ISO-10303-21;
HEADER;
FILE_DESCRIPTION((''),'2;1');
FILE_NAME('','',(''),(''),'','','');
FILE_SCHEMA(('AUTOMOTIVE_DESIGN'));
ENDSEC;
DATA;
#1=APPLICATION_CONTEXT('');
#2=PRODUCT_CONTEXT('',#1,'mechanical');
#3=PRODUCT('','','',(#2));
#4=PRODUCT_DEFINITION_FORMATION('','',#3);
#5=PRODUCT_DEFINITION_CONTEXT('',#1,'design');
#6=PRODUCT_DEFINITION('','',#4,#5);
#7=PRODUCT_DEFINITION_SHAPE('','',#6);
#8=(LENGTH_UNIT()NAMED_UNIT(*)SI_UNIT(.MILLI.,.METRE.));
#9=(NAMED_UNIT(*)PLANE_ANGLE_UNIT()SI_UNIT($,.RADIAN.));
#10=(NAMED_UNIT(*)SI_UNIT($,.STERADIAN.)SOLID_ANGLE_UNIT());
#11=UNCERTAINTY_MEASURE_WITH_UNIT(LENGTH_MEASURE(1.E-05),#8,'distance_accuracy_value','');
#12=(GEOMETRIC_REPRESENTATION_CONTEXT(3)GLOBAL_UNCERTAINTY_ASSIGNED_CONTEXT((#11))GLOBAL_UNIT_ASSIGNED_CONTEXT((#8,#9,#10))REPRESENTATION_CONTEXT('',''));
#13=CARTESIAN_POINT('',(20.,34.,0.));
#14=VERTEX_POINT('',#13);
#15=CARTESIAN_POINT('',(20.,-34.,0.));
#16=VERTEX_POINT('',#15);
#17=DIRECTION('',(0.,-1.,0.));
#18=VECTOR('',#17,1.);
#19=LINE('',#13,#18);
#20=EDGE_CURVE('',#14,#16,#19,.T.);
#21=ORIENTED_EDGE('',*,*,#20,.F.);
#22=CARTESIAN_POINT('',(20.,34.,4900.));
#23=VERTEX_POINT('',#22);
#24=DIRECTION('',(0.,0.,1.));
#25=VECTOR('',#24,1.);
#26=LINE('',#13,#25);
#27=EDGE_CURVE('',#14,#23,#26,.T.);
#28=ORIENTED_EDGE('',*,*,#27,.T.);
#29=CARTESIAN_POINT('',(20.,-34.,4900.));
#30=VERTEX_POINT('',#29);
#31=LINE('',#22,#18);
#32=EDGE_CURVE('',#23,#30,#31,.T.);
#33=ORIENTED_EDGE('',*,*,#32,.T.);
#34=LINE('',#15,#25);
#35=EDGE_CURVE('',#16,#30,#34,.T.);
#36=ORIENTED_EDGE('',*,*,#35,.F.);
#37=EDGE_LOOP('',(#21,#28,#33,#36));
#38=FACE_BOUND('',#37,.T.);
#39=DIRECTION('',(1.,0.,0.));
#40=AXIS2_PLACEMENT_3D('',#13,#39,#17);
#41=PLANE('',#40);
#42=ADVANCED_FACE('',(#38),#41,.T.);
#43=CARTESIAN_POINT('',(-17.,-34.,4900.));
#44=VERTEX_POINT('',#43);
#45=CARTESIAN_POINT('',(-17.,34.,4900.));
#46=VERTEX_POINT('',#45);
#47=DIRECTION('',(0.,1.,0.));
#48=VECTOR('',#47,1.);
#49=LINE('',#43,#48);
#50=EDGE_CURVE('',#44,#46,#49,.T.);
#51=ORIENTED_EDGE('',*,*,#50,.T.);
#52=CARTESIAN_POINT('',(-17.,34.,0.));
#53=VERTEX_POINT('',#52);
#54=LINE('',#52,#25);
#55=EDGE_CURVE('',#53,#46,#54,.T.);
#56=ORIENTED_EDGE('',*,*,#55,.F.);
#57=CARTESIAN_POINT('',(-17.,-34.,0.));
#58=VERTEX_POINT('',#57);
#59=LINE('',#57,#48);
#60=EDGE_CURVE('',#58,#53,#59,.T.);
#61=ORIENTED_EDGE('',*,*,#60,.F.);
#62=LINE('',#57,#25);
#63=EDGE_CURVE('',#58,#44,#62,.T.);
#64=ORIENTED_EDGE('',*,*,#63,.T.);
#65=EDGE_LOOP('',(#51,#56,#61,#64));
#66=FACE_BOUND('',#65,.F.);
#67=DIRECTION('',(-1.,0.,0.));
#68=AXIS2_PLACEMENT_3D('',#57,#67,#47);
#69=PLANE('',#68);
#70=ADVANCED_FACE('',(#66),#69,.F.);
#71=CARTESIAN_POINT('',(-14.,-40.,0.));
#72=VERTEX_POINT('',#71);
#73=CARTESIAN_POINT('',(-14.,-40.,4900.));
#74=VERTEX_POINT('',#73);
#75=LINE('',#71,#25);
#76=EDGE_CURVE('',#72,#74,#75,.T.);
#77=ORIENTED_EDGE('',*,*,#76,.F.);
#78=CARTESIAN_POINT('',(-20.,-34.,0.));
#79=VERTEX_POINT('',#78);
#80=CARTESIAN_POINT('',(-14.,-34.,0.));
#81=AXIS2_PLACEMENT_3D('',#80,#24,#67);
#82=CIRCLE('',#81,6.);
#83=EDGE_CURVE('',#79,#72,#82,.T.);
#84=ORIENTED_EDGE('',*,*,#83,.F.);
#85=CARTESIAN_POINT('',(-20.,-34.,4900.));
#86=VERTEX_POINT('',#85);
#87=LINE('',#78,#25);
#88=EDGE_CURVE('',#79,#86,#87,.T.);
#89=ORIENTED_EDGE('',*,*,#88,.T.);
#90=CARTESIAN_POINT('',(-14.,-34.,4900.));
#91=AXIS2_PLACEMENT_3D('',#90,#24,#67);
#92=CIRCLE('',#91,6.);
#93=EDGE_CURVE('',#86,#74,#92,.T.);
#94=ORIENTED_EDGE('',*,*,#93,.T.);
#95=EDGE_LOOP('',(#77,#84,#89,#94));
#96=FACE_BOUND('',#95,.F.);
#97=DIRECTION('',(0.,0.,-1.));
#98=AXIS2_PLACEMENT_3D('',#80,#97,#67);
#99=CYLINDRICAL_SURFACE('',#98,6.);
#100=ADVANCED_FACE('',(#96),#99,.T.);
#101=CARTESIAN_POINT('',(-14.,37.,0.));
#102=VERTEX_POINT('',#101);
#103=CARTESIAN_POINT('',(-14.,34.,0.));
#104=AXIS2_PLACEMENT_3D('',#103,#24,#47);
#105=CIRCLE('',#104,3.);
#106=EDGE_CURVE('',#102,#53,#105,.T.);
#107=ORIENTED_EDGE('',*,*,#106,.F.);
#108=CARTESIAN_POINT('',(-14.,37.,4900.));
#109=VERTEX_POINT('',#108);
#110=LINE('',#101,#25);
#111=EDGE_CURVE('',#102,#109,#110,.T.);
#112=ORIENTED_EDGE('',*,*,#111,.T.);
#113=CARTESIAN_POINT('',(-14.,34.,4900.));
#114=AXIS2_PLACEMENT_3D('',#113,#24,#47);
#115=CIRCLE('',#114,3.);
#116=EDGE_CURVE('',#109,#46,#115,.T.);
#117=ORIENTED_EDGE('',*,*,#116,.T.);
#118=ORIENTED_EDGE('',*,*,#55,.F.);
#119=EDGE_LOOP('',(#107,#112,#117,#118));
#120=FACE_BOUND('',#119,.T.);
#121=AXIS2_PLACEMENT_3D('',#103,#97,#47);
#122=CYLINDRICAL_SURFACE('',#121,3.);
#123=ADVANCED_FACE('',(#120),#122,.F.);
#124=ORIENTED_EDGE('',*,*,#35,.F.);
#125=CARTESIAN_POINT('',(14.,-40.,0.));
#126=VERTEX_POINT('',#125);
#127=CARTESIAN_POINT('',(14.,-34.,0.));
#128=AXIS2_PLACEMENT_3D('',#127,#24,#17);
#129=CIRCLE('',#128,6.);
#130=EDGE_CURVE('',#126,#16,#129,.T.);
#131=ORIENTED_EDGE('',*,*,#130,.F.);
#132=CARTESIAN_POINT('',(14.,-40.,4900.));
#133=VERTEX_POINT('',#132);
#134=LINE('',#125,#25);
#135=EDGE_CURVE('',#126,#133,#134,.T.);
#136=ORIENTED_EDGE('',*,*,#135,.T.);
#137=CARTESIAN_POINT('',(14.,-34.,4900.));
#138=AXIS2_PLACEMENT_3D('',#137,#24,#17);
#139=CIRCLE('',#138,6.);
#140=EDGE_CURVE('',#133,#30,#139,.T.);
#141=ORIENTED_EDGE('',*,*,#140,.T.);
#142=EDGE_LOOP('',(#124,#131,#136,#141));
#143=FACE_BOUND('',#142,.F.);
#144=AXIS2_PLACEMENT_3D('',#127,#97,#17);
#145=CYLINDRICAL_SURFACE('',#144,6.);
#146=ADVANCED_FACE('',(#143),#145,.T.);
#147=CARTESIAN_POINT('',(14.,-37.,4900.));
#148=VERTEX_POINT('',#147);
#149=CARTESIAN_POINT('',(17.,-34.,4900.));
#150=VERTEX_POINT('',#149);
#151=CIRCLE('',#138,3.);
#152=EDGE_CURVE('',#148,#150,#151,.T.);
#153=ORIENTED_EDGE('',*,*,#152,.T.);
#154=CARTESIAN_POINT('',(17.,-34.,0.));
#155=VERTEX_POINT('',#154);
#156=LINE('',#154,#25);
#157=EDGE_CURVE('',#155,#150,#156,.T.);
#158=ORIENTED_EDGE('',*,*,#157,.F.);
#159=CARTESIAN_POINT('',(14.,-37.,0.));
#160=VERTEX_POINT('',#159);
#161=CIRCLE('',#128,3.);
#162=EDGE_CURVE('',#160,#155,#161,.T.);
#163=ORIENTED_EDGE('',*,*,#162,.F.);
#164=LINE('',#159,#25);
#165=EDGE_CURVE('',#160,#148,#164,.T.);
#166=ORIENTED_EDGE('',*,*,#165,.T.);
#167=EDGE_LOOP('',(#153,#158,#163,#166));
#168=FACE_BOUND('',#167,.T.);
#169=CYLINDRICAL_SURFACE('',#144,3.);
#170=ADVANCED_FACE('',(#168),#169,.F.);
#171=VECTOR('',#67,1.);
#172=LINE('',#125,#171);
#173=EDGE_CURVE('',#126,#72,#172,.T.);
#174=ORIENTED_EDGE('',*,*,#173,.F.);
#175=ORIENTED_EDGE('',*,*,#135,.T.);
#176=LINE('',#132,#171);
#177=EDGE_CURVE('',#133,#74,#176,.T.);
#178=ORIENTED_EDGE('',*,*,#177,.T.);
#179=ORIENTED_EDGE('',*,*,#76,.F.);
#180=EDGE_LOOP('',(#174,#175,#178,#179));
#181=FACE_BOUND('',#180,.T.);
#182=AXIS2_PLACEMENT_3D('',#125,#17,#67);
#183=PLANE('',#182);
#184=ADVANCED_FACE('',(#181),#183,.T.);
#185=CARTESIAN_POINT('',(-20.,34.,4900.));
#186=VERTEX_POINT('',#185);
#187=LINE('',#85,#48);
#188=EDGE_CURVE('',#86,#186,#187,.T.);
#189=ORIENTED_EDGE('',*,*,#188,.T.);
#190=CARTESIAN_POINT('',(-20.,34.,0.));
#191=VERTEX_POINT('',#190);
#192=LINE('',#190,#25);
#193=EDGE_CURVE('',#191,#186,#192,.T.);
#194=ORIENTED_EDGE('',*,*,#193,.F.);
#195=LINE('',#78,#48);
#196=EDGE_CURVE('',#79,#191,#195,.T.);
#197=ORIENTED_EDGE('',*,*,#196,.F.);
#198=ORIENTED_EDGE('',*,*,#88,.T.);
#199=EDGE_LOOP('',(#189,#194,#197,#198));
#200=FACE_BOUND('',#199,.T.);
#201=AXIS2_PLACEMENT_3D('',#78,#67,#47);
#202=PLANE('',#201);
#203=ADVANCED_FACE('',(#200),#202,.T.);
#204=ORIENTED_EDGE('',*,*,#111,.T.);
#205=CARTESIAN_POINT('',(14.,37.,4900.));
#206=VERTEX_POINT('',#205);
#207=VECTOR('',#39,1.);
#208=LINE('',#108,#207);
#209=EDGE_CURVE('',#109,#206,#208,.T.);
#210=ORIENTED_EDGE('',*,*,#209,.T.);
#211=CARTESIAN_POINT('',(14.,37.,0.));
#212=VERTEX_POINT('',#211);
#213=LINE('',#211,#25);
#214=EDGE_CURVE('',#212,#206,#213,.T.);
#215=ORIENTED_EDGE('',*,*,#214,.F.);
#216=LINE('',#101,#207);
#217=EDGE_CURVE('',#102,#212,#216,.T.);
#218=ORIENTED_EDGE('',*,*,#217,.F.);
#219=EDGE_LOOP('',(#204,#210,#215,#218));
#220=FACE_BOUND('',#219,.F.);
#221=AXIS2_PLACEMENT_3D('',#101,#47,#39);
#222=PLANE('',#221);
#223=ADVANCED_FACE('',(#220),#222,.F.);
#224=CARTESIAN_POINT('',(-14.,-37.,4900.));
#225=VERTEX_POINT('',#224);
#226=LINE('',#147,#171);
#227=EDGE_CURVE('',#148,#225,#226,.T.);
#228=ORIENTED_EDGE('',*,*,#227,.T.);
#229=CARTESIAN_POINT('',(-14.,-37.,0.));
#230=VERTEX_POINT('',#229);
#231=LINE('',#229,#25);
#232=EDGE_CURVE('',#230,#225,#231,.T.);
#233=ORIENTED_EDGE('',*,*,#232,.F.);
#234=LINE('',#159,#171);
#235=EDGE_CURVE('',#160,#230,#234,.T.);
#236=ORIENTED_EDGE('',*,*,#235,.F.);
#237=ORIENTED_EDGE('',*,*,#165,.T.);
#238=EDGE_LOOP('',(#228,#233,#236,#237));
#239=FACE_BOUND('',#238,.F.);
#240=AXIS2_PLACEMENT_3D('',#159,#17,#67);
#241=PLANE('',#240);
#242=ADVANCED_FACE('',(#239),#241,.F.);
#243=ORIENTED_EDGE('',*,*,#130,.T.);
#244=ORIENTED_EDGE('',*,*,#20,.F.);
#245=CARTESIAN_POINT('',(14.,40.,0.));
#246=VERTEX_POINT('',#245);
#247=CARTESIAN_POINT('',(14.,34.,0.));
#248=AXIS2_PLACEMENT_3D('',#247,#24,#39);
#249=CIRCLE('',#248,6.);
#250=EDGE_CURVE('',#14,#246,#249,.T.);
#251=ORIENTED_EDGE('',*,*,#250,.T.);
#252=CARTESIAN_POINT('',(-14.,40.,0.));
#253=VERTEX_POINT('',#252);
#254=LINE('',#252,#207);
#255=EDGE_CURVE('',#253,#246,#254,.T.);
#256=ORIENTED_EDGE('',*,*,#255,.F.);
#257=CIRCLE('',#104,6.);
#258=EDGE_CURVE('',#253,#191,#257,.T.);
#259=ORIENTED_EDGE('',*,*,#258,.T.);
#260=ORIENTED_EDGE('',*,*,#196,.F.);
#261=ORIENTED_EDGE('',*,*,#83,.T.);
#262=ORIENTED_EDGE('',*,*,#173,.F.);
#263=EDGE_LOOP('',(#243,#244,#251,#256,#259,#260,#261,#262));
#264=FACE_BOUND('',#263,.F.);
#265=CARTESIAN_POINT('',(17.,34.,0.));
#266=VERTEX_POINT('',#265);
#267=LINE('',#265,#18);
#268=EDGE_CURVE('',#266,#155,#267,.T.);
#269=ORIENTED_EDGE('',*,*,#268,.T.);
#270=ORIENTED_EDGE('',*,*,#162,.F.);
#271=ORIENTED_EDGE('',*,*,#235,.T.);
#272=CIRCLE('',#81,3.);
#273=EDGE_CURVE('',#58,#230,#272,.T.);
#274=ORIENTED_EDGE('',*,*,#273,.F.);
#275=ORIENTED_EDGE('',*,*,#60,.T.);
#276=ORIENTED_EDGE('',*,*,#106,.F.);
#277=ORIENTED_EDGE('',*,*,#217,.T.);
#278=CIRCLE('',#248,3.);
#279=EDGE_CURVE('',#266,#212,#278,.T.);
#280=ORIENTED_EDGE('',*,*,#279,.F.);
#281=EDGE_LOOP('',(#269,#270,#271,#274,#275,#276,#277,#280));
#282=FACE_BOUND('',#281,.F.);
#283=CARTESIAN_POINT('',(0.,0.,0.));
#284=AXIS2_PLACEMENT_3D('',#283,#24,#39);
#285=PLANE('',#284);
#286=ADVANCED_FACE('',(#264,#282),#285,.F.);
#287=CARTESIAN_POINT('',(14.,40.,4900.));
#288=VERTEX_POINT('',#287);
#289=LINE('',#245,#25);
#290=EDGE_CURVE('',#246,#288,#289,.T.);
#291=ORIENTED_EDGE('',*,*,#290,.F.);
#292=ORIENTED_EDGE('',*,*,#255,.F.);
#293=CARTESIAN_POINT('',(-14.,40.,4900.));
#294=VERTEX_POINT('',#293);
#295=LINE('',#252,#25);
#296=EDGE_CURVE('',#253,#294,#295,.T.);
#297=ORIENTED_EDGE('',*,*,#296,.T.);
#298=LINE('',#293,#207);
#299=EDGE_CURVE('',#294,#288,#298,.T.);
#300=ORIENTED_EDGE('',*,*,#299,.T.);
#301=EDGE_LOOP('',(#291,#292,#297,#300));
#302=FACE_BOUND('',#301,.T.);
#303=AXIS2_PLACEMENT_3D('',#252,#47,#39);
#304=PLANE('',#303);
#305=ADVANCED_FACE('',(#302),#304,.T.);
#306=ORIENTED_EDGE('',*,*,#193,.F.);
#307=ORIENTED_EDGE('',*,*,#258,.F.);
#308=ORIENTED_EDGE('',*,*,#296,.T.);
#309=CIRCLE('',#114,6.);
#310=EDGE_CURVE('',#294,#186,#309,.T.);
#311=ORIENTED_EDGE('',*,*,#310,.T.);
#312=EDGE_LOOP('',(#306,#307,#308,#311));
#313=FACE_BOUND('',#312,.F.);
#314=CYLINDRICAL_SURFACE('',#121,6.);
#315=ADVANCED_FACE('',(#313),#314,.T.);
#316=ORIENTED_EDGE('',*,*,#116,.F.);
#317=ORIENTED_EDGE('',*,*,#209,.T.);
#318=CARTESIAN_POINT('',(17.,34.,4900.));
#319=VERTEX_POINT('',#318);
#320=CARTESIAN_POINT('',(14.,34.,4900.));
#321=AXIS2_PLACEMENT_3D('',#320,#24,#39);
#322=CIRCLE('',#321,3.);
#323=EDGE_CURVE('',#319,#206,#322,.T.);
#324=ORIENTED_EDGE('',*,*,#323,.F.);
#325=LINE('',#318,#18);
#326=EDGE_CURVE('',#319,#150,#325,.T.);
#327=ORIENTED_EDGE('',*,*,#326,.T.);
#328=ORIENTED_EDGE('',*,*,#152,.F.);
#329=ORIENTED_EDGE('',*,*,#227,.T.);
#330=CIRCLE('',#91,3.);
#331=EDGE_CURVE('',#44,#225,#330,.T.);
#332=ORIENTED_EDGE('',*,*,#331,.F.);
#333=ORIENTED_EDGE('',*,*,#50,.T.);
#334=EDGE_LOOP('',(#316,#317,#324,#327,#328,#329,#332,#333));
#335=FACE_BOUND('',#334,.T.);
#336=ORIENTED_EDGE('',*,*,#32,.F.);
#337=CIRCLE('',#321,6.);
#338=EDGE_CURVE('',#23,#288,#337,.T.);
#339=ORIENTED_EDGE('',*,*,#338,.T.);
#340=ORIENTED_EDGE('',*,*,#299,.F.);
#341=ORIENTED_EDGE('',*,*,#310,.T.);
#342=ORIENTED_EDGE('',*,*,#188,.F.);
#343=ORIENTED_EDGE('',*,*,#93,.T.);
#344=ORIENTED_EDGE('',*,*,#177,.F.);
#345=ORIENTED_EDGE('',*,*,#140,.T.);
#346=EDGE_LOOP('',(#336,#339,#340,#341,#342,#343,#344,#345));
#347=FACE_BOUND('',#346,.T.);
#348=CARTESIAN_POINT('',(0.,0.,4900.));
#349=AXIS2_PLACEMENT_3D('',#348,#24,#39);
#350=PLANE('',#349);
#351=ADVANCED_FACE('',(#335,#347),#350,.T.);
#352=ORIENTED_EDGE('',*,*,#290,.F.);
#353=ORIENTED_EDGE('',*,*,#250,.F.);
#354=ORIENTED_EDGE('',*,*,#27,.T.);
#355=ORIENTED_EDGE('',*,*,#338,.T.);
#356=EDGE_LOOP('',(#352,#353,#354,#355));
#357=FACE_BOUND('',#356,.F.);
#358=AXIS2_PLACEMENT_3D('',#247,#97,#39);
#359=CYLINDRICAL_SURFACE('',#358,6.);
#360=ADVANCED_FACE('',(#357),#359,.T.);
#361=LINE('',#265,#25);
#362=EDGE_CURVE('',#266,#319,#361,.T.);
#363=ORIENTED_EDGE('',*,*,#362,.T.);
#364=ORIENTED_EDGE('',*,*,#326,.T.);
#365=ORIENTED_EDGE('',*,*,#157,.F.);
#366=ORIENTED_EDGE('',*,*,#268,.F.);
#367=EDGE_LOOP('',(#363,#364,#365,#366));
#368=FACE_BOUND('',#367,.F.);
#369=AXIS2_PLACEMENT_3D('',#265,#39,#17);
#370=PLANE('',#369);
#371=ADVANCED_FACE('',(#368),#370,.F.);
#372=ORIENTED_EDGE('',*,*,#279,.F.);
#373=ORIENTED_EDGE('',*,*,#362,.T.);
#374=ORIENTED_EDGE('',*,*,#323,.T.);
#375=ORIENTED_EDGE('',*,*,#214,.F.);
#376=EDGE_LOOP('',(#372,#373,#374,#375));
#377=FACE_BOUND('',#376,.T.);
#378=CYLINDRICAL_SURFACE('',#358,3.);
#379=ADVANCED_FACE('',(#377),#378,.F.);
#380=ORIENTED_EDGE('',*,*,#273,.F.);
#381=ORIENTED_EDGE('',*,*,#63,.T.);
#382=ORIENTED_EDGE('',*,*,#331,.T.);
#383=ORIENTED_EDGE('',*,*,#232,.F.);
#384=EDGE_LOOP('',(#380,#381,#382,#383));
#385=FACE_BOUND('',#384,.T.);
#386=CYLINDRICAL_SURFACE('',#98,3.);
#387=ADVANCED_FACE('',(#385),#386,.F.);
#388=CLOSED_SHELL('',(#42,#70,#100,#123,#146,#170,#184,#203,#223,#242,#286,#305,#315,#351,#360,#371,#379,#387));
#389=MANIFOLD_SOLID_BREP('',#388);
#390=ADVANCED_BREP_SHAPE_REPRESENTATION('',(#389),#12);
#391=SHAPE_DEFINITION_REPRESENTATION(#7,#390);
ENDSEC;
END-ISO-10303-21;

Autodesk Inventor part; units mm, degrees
ref_plane "YZ Plane" through (0, 0, 0) normal (1, 0, 0) x (0, 1, 0)
ref_plane "Start Plane" through (0, 0, 0) normal (0, 0, 1) x (1, 0, 0)
ref_plane "End Plane" through (0, 0, 4900) normal (0, 0, 1) x (1, 0, 0)
sketch "Sketch" plane through (0, 0, 0) normal (0, 0, 1) x (1, 0, 0)
  line L0 (-20, -34) -> (-20, 34)
  line L1 (-14, 40) -> (14, 40)
  line L2 (20, 34) -> (20, -34)
  line L3 (14, -40) -> (-14, -40)
  arc A0 (-20, -34) -> (-14, -40) centre (-14, -34) ccw
  arc A1 (20, 34) -> (14, 40) centre (14, 34) ccw
  arc A2 (-14, 40) -> (-20, 34) centre (-14, 34) ccw
  arc A3 (14, -40) -> (20, -34) centre (14, -34) ccw
  arc A4 (-14, 37) -> (-17, 34) centre (-14, 34) ccw
  line L4 (-14, 37) -> (14, 37)
  arc A5 (17, 34) -> (14, 37) centre (14, 34) ccw
  line L5 (17, 34) -> (17, -34)
  arc A6 (14, -37) -> (17, -34) centre (14, -34) ccw
  line L6 (14, -37) -> (-14, -37)
  arc A7 (-17, -34) -> (-14, -37) centre (-14, -34) ccw
  line L7 (-17, -34) -> (-17, 34)
  line L8 (0, 57.7397) -> (0, -57.7397) construction
  line L9 (-29.7397, 0) -> (29.7397, 0) construction
  dimension "d7" = 6
  dimension "d9" = 40
  dimension "d11" = 80
  dimension "d12" = 3
  dimension "d15" = 20
  dimension "d16" = 40
extrude "Body" add sketch "Sketch" along normal up to surface (4900 mm away) from surface at 0
sketch "Sketch3" plane through (0, 0, 0) normal (0, 0, 1) x (1, 0, 0)
  line L0 (0, 0) -> (10, 0)
ref_plane "Work Plane3" through (0, 0, 0) normal (0, -1, 0) x (1, 0, 0)
sketch "Sketch4" plane through (0, 0, 0) normal (0, -1, 0) x (1, 0, 0)
  line L0 (-2, 0) -> (12, 0) projected
  line L1 (-2, 4900) -> (12, 4900) projected
  dimension "d18" = 4900
equation "\"d7\" = G_IR"
equation "\"d9\" = G_W"
equation "\"d11\" = G_H"
equation "\"d12\" = G_T"
equation "\"d15\" = 0.5 * d9"
equation "\"d16\" = 0.5 * d11"
equation "\"d3\" = G_L"
equation "\"G_W\" = 40"
equation "\"G_H\" = 80"
equation "\"G_T\" = 3"
equation "\"G_IR\" = 6"
equation "\"G_L\" = d18"
equation "\"G_OFFSET_START\" = 0"
equation "\"G_OFFSET_END\" = 0"
properties part number "ISO 10799-2 - 80x40x3 - 4900" material "Steel, Mild"
